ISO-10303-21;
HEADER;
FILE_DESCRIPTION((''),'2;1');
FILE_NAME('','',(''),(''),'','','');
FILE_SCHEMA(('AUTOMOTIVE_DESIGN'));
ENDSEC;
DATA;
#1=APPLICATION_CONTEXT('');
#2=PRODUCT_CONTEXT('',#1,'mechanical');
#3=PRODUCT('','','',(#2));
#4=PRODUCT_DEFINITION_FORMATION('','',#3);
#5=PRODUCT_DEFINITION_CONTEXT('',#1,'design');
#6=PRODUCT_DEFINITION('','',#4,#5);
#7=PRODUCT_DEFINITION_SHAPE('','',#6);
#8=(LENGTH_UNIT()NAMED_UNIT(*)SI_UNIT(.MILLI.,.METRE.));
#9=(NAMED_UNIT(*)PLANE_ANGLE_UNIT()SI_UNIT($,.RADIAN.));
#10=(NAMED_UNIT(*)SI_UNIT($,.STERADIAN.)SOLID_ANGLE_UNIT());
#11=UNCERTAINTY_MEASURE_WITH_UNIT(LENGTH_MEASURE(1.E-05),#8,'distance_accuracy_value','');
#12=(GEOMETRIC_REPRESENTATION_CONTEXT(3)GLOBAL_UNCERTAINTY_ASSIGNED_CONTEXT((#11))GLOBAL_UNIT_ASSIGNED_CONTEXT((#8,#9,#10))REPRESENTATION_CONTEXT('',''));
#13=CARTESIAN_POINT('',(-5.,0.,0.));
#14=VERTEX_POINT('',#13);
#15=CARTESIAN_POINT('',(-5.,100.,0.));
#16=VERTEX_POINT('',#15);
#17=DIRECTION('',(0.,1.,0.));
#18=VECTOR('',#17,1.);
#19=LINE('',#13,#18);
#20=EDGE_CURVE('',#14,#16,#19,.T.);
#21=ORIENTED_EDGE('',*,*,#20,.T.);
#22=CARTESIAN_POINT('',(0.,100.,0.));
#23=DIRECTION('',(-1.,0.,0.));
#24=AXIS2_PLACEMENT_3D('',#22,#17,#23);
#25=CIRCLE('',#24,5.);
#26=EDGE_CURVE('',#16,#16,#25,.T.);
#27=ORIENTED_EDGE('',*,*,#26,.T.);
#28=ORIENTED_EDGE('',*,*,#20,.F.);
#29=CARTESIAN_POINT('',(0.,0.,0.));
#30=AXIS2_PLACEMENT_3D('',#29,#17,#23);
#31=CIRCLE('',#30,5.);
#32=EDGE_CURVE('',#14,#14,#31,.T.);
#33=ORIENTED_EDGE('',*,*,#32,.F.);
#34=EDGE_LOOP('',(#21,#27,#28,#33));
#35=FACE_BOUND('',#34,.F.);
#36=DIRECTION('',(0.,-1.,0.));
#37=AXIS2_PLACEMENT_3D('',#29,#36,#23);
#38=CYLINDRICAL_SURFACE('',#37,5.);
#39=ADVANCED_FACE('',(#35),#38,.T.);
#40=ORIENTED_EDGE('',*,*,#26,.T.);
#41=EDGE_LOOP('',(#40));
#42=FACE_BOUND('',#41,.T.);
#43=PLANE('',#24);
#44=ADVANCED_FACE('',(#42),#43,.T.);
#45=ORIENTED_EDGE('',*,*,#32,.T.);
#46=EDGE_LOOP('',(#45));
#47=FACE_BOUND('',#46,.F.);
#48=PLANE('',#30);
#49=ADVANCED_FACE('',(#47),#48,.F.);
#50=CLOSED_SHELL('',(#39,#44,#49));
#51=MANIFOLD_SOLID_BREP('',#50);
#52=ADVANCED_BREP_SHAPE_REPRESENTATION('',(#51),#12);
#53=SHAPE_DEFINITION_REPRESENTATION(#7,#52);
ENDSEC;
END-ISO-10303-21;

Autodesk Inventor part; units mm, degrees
ref_plane "YZ Plane" through (0, 0, 0) normal (1, 0, 0) x (0, 1, 0)
ref_plane "XZ Plane" through (0, 0, 0) normal (0, 1, 0) x (-1, 0, 0)
ref_plane "XY Plane" through (0, 0, 0) normal (0, 0, 1) x (1, 0, 0)
sketch "Szkic2" plane through (0, 0, 0) normal (0, 1, 0) x (-1, 0, 0)
  circle A0 centre (0, 0) radius 5
  dimension "d6" = 10
extrude "Wyciągnięcie proste2" add sketch "Szkic2" along normal blind 100
properties part number "tibia"
